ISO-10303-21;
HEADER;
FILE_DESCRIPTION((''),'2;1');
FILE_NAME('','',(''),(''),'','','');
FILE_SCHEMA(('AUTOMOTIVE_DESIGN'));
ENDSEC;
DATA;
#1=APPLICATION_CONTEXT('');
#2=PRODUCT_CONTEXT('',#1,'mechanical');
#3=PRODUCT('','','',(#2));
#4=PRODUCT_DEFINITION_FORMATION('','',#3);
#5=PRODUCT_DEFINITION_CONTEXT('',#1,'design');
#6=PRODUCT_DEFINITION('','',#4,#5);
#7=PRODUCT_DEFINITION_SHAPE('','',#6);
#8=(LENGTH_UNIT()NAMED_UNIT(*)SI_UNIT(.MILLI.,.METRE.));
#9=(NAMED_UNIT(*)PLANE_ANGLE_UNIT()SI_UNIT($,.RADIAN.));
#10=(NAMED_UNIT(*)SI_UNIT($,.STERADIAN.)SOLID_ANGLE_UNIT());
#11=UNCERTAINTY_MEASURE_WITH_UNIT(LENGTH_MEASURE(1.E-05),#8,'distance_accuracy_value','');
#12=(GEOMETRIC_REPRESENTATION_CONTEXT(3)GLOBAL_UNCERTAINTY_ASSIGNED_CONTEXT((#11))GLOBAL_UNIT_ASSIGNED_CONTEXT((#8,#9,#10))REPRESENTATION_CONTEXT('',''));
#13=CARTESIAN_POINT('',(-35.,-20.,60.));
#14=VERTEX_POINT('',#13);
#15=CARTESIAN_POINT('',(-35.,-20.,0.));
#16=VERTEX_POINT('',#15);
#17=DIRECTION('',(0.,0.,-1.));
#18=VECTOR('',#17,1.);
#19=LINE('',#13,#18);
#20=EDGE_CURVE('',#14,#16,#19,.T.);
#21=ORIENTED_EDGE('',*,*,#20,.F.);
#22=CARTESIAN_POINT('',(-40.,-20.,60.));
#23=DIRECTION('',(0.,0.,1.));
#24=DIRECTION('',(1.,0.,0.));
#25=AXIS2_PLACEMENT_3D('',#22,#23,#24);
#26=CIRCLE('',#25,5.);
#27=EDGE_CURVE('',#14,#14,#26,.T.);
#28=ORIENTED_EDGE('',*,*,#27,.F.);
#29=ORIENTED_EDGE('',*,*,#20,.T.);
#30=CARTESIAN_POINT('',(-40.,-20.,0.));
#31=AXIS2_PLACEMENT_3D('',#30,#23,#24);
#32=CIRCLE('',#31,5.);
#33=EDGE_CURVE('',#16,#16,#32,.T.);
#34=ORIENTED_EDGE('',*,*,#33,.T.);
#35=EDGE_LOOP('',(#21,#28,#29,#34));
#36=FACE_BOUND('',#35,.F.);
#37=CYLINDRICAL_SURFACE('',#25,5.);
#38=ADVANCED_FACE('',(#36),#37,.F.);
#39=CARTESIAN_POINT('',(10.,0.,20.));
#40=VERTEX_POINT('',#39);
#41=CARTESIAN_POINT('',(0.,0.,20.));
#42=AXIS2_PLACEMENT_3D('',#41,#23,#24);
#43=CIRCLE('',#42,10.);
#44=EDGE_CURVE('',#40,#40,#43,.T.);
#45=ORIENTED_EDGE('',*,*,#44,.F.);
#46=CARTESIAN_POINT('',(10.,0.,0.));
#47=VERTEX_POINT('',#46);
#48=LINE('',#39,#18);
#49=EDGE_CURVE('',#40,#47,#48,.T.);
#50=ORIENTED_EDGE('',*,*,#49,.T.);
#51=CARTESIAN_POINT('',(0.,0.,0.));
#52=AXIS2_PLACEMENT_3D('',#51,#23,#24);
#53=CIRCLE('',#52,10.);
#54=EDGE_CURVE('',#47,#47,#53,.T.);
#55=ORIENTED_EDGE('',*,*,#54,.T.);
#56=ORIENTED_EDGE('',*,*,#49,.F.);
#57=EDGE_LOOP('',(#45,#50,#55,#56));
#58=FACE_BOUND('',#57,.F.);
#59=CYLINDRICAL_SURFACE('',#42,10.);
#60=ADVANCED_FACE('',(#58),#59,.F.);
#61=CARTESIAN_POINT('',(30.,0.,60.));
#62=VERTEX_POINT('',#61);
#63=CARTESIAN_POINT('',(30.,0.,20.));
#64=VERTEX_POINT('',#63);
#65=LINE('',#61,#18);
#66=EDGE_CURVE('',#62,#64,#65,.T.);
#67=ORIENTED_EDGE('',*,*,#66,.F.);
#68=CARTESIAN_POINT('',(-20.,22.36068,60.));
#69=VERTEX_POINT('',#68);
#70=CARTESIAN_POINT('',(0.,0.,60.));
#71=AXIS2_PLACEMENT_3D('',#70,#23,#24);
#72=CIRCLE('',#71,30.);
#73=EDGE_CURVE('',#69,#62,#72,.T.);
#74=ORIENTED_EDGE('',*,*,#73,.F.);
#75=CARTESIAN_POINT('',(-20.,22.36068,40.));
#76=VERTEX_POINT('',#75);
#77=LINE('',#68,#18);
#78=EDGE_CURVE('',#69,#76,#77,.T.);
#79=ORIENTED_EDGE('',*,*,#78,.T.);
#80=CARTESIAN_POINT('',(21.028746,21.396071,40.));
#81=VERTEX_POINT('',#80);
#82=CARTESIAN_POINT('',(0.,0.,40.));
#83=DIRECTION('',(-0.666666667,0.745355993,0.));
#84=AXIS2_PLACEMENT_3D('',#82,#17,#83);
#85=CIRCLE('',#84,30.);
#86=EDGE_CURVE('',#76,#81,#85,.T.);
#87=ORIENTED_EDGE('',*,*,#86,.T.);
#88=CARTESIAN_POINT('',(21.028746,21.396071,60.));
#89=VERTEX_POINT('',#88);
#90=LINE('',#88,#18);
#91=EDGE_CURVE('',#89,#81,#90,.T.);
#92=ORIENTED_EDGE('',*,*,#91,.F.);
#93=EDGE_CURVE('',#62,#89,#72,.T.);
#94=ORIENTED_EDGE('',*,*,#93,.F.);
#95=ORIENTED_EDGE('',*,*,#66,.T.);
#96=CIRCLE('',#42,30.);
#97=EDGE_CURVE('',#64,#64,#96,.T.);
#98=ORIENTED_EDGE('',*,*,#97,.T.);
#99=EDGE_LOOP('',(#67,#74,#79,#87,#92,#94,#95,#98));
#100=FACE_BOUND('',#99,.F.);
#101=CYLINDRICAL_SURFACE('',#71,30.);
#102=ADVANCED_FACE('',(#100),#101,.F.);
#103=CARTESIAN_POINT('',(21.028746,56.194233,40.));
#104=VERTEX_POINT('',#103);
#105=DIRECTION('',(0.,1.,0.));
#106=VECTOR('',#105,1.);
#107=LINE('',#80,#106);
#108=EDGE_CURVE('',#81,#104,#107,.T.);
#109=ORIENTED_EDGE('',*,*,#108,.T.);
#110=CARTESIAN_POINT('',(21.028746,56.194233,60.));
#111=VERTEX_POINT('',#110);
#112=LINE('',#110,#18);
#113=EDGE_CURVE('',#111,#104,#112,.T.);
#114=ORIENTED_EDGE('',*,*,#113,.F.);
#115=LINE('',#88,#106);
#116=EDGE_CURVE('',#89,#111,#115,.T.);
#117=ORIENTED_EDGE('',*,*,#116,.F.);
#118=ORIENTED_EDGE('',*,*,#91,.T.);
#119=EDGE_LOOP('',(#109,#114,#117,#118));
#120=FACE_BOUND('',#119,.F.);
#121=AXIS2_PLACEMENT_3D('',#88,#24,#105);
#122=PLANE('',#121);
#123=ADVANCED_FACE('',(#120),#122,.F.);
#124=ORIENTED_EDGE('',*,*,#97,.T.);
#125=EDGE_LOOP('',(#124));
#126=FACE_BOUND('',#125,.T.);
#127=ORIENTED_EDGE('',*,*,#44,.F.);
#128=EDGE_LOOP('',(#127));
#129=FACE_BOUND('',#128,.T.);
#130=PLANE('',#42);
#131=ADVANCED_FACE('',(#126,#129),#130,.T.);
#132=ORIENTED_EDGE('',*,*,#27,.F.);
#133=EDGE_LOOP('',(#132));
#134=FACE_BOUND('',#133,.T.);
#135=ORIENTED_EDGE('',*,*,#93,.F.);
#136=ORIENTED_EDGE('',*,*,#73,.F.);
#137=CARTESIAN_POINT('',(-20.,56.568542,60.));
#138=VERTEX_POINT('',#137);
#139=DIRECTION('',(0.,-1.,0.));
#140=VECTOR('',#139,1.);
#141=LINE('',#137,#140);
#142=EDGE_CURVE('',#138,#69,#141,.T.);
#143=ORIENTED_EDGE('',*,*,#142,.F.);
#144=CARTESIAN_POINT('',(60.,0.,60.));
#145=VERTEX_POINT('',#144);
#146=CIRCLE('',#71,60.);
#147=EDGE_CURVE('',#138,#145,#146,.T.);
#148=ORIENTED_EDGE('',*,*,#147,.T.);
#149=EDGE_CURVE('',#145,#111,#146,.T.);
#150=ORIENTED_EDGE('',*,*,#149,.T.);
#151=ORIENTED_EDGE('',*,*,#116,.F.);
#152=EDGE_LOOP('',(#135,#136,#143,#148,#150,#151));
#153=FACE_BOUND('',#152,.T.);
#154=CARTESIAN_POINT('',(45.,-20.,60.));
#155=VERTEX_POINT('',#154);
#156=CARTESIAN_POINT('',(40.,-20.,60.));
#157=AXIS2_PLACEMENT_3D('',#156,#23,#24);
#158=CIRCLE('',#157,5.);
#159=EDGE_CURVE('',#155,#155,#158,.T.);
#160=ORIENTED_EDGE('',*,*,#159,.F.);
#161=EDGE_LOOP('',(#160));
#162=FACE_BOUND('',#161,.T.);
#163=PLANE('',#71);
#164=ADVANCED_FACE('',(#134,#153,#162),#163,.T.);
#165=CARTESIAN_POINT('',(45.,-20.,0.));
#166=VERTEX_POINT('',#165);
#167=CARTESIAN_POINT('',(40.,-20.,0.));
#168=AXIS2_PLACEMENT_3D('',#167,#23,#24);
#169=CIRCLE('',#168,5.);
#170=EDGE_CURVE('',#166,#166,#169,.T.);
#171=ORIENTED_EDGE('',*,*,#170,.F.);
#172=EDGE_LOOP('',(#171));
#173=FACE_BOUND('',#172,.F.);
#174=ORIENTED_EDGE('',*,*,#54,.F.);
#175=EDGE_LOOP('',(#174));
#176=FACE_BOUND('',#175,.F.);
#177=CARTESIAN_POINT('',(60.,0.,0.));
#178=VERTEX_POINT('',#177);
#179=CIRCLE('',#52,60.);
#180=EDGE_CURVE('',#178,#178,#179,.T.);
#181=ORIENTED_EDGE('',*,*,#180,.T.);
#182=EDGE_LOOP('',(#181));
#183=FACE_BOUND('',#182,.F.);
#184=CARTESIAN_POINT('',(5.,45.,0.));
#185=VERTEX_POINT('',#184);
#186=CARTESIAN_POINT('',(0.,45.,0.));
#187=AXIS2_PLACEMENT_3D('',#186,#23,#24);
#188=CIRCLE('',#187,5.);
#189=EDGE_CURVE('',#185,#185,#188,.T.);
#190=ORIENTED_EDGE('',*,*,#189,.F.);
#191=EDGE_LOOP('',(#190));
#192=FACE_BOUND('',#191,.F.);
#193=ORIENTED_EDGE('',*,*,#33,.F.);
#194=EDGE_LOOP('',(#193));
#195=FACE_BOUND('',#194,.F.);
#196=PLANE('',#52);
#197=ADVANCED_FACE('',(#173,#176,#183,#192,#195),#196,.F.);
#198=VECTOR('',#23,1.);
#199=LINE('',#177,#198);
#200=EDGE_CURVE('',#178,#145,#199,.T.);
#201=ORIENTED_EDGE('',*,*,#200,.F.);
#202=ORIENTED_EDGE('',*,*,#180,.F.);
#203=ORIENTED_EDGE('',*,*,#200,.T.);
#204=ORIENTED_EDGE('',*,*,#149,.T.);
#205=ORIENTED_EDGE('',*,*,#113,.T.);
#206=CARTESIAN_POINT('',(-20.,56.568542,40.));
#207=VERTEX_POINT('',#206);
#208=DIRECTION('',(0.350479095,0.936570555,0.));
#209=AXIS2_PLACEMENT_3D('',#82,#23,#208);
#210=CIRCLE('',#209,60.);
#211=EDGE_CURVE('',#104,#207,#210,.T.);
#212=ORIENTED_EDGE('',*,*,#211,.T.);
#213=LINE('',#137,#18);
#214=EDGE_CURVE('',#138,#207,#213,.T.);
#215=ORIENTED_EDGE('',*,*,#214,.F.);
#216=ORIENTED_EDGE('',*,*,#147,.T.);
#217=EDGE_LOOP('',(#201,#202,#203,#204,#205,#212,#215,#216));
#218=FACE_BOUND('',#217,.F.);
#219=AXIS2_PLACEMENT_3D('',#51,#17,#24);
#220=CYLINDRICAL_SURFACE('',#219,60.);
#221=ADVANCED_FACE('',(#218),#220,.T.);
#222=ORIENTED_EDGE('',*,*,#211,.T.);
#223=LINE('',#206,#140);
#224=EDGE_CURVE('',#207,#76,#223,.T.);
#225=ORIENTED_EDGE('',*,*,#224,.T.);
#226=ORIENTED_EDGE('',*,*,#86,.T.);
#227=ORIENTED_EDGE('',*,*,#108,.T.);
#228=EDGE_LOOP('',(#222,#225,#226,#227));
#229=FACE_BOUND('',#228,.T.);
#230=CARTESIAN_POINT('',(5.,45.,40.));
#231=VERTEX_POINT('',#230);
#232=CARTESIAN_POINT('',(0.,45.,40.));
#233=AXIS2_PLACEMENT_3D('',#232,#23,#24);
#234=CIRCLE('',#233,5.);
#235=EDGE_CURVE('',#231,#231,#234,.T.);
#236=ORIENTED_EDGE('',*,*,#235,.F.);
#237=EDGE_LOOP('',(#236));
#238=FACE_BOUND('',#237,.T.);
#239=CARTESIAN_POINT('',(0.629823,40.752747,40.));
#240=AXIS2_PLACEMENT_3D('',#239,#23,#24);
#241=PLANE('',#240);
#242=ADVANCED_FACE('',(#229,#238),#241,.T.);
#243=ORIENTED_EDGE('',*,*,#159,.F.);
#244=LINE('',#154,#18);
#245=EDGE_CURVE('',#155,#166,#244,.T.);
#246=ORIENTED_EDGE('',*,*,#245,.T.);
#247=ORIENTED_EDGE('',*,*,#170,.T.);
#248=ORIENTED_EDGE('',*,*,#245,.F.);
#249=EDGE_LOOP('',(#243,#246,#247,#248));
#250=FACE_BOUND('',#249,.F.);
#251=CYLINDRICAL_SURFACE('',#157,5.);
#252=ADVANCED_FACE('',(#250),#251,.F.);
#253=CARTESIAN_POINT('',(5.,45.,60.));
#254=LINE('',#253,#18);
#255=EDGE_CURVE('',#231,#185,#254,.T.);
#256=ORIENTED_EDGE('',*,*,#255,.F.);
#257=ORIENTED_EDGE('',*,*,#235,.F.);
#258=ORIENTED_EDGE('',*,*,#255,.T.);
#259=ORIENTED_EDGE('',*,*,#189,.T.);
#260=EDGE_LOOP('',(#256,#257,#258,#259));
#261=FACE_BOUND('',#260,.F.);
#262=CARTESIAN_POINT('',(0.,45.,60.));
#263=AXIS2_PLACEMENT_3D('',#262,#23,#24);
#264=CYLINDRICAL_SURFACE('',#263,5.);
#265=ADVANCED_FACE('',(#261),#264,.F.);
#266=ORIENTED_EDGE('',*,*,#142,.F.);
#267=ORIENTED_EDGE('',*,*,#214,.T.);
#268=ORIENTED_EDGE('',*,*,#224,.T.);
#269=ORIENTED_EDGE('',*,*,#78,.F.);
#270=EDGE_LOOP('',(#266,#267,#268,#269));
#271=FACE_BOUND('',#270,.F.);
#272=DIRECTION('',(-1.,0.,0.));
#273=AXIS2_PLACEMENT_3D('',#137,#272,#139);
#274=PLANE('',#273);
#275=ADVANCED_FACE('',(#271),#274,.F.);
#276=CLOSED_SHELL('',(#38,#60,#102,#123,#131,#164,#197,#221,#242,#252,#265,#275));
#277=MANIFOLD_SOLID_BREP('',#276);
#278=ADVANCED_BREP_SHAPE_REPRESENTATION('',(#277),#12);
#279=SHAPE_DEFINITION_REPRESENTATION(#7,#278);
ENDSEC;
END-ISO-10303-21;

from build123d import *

# Parameters (mm, degrees)
SKETCH1_R           = 60
BOSS_EXTRUDE1_DEPTH = 60
SKETCH2_R           = 30
CUT_EXTRUDE1_DEPTH  = 40
SKETCH3_R           = 10
CUT_EXTRUDE2_DEPTH  = 40
SKETCH4_R           = 5
CUT_EXTRUDE3_DEPTH  = 100
SKETCH5_R           = 5
CUT_EXTRUDE4_DEPTH  = 100
CUT_EXTRUDE5_DEPTH  = 20


with BuildPart() as part:
    # Sketch1 → Boss-Extrude1 (new body)
    with BuildSketch(Plane.XY):
        Circle(SKETCH1_R)
    extrude(amount=BOSS_EXTRUDE1_DEPTH)

    # Sketch2 → Cut-Extrude1 (cut)
    with BuildSketch(Plane.XY.offset(60)):
        Circle(SKETCH2_R)
    extrude(amount=-CUT_EXTRUDE1_DEPTH, mode=Mode.SUBTRACT)

    # Sketch3 → Cut-Extrude2 (cut)
    with BuildSketch(Plane.XY.offset(20)):
        Circle(SKETCH3_R)
    extrude(amount=-CUT_EXTRUDE2_DEPTH, mode=Mode.SUBTRACT)

    # Sketch4 → Cut-Extrude3 (cut)
    with BuildSketch(Plane.XY.offset(60)):
        with Locations((0, 45)):
            Circle(SKETCH4_R)
    extrude(amount=-CUT_EXTRUDE3_DEPTH, mode=Mode.SUBTRACT)

    # Sketch5 → Cut-Extrude4 (cut)
    with BuildSketch(Plane.XY.offset(60)):
        with Locations((-40, -20)):
            Circle(SKETCH5_R)
        with Locations((40, -20)):
            Circle(SKETCH5_R)
    extrude(amount=-CUT_EXTRUDE4_DEPTH, mode=Mode.SUBTRACT)

    # Sketch6 → Cut-Extrude5 (cut)
    with BuildSketch(Plane.XY.offset(60)):
        with BuildLine():
            Line((-20, 56.568542495), (-20, 22.360679775))
            ThreePointArc((-20, 22.360679775), (0.705121947, 29.991712239), (21.02874571, 21.396070991))
            Line((21.02874571, 21.396070991), (21.02874571, 56.194233279))
            ThreePointArc((21.02874571, 56.194233279), (0.547363025, 59.997503229), (-20, 56.568542495))
        make_face()
    extrude(amount=-CUT_EXTRUDE5_DEPTH, mode=Mode.SUBTRACT)


solid = part.part
